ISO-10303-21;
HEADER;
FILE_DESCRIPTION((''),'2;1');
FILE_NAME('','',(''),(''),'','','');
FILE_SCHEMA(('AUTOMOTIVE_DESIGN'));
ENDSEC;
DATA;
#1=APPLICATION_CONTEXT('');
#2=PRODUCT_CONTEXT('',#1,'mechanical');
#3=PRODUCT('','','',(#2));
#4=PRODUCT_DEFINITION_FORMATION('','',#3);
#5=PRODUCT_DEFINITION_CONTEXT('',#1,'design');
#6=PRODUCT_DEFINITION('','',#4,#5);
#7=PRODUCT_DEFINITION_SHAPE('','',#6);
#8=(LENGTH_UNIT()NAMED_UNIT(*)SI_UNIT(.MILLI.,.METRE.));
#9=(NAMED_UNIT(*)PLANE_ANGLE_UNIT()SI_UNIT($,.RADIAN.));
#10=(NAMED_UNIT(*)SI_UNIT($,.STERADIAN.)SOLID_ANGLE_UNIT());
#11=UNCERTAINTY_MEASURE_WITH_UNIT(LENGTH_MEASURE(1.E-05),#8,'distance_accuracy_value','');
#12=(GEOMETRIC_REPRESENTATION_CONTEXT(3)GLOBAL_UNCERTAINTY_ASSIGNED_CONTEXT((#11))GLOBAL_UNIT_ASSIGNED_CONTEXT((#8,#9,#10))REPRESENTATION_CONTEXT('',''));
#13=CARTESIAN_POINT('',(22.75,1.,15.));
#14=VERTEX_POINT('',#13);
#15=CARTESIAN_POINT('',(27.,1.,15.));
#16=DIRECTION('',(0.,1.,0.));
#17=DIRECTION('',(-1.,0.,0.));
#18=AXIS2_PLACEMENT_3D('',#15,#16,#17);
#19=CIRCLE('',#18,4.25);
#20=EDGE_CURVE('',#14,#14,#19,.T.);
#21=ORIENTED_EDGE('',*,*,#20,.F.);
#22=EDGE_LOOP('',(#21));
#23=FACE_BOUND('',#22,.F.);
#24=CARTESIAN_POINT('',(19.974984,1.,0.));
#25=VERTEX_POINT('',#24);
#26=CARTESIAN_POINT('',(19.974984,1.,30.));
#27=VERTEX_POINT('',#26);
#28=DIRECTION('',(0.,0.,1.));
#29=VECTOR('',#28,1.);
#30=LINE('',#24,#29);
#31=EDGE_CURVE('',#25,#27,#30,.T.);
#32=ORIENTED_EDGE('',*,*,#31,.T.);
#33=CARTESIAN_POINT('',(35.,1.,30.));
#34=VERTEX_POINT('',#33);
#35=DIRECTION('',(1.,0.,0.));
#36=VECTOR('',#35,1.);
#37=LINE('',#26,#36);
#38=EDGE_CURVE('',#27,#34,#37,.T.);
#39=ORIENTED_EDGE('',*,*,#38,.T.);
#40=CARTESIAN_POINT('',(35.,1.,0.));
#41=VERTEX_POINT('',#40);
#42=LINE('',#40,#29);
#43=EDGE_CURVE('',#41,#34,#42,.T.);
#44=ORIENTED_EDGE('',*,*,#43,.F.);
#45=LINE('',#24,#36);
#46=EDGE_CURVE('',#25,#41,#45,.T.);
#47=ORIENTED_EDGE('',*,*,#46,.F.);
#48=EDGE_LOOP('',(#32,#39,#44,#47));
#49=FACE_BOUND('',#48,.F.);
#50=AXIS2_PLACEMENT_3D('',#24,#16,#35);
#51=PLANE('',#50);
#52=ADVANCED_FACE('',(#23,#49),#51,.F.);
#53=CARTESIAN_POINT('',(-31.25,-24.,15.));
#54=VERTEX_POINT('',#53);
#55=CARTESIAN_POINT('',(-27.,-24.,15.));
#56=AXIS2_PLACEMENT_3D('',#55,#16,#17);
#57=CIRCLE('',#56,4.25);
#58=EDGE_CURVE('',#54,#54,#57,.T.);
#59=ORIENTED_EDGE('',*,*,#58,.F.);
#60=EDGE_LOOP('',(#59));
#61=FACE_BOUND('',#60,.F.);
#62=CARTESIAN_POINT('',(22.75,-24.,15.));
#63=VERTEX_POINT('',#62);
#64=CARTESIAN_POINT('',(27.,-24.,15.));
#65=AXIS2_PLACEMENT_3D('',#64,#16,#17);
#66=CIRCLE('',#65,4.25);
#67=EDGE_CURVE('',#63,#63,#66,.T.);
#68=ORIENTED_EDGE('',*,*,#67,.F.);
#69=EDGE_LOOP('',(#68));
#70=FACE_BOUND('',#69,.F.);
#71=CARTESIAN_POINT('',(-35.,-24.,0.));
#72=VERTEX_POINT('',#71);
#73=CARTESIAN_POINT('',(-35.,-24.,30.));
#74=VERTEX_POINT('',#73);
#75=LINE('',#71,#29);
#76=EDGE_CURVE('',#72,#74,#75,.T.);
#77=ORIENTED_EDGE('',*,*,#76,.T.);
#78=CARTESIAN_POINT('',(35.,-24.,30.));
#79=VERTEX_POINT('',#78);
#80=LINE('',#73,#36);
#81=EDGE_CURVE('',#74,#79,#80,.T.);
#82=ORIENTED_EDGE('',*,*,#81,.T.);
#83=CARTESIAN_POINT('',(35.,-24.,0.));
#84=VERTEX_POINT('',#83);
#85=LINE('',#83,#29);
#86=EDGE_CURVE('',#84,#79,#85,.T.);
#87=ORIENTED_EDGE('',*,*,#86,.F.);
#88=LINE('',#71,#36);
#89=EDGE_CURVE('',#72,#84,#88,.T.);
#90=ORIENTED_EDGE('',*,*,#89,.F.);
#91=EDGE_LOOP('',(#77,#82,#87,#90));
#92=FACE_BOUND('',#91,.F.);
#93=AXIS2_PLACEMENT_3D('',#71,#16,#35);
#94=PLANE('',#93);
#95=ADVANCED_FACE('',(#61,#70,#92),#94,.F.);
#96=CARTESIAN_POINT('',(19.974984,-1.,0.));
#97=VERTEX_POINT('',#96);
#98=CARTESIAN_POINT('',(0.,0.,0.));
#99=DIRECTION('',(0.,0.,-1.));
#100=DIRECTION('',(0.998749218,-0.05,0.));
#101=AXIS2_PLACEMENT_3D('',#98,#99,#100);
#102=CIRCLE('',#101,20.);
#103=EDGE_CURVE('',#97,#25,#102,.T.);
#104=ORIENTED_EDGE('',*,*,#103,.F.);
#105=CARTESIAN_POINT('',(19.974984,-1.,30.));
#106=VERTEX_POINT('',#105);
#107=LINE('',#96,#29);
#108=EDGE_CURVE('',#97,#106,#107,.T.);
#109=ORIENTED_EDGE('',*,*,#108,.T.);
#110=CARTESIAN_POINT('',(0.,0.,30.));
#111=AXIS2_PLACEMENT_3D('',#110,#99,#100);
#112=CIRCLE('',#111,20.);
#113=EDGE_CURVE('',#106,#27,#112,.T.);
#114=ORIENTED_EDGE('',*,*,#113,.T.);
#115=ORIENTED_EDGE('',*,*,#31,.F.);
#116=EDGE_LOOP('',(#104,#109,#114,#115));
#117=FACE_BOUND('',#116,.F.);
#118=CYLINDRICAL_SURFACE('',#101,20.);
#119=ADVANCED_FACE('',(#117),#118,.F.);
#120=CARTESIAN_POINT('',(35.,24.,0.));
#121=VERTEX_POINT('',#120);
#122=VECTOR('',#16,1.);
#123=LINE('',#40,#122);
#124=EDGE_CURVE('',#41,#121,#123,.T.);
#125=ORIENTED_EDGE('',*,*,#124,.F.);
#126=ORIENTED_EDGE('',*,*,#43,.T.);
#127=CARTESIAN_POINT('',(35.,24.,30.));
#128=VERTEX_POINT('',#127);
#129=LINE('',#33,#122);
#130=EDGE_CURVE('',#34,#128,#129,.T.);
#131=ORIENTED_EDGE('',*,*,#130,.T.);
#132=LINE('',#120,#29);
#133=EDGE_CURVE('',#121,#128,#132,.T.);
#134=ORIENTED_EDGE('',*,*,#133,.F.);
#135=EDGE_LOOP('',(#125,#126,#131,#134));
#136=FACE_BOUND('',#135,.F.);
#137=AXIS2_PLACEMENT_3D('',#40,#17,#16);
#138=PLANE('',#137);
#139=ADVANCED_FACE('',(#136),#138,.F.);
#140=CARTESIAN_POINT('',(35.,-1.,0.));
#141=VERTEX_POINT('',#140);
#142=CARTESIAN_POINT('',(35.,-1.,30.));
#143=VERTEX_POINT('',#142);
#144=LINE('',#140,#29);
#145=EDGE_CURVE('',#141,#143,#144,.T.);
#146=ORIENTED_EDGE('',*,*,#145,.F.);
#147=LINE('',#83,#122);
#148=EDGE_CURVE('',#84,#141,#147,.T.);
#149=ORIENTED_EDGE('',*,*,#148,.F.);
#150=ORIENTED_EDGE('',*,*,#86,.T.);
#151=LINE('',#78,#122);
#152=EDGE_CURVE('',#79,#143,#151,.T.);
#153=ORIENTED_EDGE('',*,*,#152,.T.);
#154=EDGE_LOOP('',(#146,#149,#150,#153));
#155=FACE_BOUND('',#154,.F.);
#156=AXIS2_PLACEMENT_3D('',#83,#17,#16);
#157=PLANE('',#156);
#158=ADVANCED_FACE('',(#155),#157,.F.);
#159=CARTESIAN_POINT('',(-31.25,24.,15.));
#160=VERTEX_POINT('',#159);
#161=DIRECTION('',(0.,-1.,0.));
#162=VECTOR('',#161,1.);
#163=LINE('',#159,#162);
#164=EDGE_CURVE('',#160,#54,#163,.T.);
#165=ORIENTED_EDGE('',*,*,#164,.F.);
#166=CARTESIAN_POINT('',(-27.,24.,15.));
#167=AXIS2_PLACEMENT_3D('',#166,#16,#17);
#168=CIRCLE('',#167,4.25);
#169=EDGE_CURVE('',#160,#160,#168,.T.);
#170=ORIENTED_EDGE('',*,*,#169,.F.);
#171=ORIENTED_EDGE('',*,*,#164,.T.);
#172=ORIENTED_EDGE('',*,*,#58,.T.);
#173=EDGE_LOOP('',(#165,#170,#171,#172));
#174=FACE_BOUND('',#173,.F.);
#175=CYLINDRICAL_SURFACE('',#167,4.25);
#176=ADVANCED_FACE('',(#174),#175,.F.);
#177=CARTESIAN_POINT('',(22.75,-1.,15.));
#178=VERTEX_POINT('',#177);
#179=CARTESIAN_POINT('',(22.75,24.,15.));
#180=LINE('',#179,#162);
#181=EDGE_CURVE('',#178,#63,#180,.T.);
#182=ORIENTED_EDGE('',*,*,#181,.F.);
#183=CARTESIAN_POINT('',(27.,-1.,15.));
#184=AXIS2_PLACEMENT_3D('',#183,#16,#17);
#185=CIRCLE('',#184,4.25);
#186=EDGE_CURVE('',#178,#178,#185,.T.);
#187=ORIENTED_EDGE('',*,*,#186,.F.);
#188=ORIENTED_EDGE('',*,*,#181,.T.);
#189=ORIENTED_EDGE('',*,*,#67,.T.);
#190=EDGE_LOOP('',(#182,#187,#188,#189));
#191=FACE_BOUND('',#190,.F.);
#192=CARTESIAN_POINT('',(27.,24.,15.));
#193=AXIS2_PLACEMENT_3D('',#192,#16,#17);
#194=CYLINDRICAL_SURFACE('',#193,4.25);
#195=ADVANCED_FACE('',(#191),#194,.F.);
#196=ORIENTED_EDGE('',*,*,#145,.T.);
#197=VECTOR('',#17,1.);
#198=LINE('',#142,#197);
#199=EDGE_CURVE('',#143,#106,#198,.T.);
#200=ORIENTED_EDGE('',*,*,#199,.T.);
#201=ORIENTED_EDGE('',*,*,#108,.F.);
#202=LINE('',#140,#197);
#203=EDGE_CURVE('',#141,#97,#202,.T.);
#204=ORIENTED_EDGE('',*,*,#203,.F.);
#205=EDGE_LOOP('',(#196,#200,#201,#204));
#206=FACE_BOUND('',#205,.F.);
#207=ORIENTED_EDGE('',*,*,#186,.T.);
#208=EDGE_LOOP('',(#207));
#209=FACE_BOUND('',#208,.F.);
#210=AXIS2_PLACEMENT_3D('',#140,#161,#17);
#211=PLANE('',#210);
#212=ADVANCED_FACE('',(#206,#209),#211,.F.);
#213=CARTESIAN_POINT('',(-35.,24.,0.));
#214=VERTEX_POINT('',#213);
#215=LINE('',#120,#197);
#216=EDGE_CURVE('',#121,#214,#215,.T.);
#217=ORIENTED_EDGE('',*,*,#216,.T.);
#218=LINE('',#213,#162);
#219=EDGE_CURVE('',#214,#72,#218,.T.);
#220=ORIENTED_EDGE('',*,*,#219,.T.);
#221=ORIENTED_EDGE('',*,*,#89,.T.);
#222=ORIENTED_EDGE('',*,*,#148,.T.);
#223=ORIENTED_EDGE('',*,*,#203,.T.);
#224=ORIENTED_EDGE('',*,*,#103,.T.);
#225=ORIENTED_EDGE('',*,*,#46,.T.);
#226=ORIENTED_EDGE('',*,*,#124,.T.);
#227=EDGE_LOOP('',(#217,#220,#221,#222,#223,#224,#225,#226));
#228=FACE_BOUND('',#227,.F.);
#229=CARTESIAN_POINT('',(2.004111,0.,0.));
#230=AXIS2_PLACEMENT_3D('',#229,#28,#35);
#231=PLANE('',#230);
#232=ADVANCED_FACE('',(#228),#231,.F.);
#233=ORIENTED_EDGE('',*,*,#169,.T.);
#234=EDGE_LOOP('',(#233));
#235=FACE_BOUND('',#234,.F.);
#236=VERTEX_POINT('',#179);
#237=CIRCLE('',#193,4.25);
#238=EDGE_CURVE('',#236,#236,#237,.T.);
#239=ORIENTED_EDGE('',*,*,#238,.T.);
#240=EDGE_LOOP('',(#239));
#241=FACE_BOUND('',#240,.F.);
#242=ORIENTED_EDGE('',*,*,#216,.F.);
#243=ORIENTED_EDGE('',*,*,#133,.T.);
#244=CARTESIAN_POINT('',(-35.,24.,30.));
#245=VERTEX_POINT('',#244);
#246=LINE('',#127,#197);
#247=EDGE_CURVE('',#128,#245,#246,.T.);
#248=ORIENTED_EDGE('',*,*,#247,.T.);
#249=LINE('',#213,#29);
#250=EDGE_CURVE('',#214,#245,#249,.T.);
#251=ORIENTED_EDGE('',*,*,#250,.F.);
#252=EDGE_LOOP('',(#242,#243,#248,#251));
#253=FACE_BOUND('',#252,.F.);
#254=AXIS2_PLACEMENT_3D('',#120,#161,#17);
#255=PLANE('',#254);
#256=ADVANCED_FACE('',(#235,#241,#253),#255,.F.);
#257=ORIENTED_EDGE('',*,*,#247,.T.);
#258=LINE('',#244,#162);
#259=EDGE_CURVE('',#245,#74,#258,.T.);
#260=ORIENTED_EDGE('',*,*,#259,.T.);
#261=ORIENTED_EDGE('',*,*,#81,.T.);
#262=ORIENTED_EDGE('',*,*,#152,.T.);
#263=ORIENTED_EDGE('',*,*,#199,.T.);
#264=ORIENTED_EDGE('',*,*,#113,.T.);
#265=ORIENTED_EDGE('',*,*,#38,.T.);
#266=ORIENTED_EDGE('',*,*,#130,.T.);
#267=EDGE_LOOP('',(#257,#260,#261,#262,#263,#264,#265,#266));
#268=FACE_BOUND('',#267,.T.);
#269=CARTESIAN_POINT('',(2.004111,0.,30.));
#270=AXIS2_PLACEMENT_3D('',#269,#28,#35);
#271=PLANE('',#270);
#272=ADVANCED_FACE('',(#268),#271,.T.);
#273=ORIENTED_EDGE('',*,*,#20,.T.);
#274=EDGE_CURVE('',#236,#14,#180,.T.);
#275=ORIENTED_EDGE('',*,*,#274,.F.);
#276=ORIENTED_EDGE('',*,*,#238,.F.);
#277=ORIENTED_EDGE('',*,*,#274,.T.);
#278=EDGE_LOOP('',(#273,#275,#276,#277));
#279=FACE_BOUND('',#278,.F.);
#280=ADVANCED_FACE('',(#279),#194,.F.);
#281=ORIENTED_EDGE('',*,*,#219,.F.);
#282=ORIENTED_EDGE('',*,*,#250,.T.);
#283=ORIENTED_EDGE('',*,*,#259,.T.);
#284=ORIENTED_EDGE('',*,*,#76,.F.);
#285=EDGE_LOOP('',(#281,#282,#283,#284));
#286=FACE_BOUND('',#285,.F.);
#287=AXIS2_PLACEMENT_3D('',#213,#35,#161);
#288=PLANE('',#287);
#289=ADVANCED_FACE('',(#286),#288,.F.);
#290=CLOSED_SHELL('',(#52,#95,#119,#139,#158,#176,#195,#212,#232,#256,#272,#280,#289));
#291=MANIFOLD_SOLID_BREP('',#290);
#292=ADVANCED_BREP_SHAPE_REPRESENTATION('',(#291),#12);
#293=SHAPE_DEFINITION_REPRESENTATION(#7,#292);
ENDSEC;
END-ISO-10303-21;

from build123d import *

# Parameters (mm, degrees)
F1_DEPTH = 30
F2_R     = 4.25
F3_DEPTH = 48.001


with BuildPart() as f1:
    # F0 (on Top) → F1 (new body)
    with BuildSketch(Plane.XY):
        with BuildLine():
            Line((35, 24), (-35, 24))
            Line((-35, 24), (-35, -24))
            Line((-35, -24), (35, -24))
            Line((35, -24), (35, -1))
            Line((35, -1), (19.974984, -1))
            ThreePointArc((19.974984, -1), (-20, 0), (19.974984, 1))
            Line((19.974984, 1), (35, 1))
            Line((35, 1), (35, 24))
        make_face()
    extrude(amount=F1_DEPTH)

    # F2 (on face) → F3 (cut, through all)
    with BuildSketch(Plane(origin=(0, 24, 0), x_dir=(-1, 0, 0), z_dir=(0, 1, 0))):
        with Locations((27, 15)):
            Circle(F2_R)
        with Locations((-27, 15)):
            Circle(F2_R)
    extrude(amount=-F3_DEPTH, mode=Mode.SUBTRACT)


solid = f1.part
